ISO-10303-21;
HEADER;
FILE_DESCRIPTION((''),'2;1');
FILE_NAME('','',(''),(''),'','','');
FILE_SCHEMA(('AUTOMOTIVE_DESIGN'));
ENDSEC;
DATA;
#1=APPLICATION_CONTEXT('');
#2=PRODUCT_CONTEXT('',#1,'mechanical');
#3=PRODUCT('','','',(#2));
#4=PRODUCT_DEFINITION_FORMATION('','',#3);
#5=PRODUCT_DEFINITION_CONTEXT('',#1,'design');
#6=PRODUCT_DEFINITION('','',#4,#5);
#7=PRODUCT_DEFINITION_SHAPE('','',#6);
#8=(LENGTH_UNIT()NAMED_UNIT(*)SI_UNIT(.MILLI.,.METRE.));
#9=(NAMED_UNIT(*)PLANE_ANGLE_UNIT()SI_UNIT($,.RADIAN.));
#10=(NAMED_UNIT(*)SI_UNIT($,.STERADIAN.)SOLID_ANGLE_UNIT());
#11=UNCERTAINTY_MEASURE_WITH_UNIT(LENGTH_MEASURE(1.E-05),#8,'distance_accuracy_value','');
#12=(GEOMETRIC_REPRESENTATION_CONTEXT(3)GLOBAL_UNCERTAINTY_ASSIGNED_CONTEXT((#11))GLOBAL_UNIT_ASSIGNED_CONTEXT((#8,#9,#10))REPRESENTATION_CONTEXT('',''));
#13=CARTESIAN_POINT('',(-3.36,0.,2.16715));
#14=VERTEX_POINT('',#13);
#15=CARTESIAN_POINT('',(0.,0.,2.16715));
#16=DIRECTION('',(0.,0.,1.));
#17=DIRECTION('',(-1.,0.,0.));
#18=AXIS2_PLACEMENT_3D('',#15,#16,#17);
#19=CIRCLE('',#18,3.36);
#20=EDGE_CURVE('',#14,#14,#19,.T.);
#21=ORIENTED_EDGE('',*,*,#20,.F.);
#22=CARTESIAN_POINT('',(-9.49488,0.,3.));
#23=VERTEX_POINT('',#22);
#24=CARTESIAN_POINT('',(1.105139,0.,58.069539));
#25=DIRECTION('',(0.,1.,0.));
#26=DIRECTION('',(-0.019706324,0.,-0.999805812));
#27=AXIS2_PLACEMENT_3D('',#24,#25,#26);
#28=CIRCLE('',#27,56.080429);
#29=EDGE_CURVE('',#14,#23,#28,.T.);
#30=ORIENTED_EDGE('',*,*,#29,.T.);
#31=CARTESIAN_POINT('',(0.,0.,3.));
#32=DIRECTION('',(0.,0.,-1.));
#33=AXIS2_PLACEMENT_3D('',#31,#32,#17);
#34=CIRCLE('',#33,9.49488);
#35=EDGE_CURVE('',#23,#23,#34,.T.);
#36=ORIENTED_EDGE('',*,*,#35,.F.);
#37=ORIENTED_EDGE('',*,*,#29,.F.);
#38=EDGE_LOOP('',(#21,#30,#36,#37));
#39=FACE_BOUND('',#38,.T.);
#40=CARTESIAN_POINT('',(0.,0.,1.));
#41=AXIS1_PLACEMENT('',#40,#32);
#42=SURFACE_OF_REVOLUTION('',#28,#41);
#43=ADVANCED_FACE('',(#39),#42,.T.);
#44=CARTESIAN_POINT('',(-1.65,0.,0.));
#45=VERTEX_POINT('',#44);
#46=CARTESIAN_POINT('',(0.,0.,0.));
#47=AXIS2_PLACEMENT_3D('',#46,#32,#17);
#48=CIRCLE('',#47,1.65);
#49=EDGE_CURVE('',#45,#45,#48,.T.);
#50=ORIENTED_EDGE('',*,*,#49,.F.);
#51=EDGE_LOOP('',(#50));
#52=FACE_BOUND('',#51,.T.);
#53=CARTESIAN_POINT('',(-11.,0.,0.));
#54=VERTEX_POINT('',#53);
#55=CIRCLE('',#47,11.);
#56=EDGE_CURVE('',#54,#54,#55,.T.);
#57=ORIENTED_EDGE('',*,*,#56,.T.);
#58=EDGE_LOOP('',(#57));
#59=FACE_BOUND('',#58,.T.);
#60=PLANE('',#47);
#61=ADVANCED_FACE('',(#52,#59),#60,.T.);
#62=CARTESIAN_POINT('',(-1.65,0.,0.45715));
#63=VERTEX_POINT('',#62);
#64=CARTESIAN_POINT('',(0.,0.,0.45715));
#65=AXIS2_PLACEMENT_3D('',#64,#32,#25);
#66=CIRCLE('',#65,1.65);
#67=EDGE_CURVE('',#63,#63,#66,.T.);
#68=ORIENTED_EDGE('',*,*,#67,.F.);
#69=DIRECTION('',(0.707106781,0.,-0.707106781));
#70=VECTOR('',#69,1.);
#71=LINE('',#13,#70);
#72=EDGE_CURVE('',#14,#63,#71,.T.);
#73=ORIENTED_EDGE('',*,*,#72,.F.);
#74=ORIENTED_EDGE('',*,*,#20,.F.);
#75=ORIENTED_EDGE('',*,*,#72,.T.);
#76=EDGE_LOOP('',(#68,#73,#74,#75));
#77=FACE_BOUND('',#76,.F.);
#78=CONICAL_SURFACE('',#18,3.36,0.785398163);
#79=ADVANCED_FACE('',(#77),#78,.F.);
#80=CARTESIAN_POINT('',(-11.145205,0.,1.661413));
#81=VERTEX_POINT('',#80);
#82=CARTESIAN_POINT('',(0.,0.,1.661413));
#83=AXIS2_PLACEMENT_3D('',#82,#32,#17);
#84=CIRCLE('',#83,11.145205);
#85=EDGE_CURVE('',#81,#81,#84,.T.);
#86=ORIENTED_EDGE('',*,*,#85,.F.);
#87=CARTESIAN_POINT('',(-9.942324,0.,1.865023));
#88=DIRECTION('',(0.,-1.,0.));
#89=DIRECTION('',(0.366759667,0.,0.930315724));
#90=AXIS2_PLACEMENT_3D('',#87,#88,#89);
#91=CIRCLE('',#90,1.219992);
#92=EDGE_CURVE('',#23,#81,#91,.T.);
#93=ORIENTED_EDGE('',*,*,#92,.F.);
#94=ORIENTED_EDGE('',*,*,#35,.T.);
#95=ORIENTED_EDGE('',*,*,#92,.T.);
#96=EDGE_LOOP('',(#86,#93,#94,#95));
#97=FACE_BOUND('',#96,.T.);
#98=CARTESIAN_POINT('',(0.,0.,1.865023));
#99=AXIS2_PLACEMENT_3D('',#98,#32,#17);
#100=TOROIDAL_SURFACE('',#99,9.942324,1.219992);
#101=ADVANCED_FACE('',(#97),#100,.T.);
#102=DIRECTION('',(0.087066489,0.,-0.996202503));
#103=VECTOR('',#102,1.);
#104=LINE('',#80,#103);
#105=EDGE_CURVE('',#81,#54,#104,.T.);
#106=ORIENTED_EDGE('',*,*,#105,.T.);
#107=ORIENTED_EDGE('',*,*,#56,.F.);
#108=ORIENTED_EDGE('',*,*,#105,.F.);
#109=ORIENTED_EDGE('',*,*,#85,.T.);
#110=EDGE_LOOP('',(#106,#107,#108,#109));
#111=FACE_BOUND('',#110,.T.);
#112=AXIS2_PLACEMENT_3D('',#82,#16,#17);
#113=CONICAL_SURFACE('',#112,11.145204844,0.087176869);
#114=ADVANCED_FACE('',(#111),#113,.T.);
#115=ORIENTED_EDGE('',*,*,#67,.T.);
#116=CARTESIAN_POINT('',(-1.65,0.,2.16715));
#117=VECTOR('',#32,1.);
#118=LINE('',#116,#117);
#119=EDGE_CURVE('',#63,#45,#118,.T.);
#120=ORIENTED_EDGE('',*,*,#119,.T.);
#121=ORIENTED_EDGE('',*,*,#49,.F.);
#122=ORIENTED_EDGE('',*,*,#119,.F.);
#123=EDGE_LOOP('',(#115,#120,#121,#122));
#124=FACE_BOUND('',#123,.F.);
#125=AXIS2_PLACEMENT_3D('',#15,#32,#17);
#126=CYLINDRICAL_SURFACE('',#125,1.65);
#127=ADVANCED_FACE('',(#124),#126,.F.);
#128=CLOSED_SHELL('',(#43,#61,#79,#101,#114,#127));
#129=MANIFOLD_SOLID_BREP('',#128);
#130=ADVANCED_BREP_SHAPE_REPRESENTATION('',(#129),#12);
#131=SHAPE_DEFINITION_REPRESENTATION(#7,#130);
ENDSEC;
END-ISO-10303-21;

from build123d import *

# Parameters (mm, degrees)
F4_D           = 3.3
F4_START       = 0.1028499
F4_CSINK_D     = 6.72
F4_CSINK_ANGLE = 90


with BuildPart() as f1:
    # F0 (on Front) → F1 (revolve)
    with BuildSketch(Plane.XZ):
        with BuildLine():
            Line((-11, 0), (0, 0))
            Line((0, 0), (0, 2))
            ThreePointArc((0, 2), (-4.7687593819, 2.2975760402), (-9.4948802143, 3))
            ThreePointArc((-9.4948802143, 3), (-10.7108451488, 2.8125217319), (-11.1452048439, 1.6614133625))
            Line((-11.1452048439, 1.6614133625), (-11, 0))
        make_face()
    revolve(axis=Axis((0, 0, 1), (0, 0, -1)))

    # F4 (through all)
    # its depths count from where the whole tool has entered the part; down to there all is cleared
    with Locations(Plane.XY.offset(2.27).offset(-F4_START)):
        with Locations((0, 0)):
            CounterSinkHole(F4_D / 2, F4_CSINK_D / 2, counter_sink_angle=F4_CSINK_ANGLE)


solid = f1.part
